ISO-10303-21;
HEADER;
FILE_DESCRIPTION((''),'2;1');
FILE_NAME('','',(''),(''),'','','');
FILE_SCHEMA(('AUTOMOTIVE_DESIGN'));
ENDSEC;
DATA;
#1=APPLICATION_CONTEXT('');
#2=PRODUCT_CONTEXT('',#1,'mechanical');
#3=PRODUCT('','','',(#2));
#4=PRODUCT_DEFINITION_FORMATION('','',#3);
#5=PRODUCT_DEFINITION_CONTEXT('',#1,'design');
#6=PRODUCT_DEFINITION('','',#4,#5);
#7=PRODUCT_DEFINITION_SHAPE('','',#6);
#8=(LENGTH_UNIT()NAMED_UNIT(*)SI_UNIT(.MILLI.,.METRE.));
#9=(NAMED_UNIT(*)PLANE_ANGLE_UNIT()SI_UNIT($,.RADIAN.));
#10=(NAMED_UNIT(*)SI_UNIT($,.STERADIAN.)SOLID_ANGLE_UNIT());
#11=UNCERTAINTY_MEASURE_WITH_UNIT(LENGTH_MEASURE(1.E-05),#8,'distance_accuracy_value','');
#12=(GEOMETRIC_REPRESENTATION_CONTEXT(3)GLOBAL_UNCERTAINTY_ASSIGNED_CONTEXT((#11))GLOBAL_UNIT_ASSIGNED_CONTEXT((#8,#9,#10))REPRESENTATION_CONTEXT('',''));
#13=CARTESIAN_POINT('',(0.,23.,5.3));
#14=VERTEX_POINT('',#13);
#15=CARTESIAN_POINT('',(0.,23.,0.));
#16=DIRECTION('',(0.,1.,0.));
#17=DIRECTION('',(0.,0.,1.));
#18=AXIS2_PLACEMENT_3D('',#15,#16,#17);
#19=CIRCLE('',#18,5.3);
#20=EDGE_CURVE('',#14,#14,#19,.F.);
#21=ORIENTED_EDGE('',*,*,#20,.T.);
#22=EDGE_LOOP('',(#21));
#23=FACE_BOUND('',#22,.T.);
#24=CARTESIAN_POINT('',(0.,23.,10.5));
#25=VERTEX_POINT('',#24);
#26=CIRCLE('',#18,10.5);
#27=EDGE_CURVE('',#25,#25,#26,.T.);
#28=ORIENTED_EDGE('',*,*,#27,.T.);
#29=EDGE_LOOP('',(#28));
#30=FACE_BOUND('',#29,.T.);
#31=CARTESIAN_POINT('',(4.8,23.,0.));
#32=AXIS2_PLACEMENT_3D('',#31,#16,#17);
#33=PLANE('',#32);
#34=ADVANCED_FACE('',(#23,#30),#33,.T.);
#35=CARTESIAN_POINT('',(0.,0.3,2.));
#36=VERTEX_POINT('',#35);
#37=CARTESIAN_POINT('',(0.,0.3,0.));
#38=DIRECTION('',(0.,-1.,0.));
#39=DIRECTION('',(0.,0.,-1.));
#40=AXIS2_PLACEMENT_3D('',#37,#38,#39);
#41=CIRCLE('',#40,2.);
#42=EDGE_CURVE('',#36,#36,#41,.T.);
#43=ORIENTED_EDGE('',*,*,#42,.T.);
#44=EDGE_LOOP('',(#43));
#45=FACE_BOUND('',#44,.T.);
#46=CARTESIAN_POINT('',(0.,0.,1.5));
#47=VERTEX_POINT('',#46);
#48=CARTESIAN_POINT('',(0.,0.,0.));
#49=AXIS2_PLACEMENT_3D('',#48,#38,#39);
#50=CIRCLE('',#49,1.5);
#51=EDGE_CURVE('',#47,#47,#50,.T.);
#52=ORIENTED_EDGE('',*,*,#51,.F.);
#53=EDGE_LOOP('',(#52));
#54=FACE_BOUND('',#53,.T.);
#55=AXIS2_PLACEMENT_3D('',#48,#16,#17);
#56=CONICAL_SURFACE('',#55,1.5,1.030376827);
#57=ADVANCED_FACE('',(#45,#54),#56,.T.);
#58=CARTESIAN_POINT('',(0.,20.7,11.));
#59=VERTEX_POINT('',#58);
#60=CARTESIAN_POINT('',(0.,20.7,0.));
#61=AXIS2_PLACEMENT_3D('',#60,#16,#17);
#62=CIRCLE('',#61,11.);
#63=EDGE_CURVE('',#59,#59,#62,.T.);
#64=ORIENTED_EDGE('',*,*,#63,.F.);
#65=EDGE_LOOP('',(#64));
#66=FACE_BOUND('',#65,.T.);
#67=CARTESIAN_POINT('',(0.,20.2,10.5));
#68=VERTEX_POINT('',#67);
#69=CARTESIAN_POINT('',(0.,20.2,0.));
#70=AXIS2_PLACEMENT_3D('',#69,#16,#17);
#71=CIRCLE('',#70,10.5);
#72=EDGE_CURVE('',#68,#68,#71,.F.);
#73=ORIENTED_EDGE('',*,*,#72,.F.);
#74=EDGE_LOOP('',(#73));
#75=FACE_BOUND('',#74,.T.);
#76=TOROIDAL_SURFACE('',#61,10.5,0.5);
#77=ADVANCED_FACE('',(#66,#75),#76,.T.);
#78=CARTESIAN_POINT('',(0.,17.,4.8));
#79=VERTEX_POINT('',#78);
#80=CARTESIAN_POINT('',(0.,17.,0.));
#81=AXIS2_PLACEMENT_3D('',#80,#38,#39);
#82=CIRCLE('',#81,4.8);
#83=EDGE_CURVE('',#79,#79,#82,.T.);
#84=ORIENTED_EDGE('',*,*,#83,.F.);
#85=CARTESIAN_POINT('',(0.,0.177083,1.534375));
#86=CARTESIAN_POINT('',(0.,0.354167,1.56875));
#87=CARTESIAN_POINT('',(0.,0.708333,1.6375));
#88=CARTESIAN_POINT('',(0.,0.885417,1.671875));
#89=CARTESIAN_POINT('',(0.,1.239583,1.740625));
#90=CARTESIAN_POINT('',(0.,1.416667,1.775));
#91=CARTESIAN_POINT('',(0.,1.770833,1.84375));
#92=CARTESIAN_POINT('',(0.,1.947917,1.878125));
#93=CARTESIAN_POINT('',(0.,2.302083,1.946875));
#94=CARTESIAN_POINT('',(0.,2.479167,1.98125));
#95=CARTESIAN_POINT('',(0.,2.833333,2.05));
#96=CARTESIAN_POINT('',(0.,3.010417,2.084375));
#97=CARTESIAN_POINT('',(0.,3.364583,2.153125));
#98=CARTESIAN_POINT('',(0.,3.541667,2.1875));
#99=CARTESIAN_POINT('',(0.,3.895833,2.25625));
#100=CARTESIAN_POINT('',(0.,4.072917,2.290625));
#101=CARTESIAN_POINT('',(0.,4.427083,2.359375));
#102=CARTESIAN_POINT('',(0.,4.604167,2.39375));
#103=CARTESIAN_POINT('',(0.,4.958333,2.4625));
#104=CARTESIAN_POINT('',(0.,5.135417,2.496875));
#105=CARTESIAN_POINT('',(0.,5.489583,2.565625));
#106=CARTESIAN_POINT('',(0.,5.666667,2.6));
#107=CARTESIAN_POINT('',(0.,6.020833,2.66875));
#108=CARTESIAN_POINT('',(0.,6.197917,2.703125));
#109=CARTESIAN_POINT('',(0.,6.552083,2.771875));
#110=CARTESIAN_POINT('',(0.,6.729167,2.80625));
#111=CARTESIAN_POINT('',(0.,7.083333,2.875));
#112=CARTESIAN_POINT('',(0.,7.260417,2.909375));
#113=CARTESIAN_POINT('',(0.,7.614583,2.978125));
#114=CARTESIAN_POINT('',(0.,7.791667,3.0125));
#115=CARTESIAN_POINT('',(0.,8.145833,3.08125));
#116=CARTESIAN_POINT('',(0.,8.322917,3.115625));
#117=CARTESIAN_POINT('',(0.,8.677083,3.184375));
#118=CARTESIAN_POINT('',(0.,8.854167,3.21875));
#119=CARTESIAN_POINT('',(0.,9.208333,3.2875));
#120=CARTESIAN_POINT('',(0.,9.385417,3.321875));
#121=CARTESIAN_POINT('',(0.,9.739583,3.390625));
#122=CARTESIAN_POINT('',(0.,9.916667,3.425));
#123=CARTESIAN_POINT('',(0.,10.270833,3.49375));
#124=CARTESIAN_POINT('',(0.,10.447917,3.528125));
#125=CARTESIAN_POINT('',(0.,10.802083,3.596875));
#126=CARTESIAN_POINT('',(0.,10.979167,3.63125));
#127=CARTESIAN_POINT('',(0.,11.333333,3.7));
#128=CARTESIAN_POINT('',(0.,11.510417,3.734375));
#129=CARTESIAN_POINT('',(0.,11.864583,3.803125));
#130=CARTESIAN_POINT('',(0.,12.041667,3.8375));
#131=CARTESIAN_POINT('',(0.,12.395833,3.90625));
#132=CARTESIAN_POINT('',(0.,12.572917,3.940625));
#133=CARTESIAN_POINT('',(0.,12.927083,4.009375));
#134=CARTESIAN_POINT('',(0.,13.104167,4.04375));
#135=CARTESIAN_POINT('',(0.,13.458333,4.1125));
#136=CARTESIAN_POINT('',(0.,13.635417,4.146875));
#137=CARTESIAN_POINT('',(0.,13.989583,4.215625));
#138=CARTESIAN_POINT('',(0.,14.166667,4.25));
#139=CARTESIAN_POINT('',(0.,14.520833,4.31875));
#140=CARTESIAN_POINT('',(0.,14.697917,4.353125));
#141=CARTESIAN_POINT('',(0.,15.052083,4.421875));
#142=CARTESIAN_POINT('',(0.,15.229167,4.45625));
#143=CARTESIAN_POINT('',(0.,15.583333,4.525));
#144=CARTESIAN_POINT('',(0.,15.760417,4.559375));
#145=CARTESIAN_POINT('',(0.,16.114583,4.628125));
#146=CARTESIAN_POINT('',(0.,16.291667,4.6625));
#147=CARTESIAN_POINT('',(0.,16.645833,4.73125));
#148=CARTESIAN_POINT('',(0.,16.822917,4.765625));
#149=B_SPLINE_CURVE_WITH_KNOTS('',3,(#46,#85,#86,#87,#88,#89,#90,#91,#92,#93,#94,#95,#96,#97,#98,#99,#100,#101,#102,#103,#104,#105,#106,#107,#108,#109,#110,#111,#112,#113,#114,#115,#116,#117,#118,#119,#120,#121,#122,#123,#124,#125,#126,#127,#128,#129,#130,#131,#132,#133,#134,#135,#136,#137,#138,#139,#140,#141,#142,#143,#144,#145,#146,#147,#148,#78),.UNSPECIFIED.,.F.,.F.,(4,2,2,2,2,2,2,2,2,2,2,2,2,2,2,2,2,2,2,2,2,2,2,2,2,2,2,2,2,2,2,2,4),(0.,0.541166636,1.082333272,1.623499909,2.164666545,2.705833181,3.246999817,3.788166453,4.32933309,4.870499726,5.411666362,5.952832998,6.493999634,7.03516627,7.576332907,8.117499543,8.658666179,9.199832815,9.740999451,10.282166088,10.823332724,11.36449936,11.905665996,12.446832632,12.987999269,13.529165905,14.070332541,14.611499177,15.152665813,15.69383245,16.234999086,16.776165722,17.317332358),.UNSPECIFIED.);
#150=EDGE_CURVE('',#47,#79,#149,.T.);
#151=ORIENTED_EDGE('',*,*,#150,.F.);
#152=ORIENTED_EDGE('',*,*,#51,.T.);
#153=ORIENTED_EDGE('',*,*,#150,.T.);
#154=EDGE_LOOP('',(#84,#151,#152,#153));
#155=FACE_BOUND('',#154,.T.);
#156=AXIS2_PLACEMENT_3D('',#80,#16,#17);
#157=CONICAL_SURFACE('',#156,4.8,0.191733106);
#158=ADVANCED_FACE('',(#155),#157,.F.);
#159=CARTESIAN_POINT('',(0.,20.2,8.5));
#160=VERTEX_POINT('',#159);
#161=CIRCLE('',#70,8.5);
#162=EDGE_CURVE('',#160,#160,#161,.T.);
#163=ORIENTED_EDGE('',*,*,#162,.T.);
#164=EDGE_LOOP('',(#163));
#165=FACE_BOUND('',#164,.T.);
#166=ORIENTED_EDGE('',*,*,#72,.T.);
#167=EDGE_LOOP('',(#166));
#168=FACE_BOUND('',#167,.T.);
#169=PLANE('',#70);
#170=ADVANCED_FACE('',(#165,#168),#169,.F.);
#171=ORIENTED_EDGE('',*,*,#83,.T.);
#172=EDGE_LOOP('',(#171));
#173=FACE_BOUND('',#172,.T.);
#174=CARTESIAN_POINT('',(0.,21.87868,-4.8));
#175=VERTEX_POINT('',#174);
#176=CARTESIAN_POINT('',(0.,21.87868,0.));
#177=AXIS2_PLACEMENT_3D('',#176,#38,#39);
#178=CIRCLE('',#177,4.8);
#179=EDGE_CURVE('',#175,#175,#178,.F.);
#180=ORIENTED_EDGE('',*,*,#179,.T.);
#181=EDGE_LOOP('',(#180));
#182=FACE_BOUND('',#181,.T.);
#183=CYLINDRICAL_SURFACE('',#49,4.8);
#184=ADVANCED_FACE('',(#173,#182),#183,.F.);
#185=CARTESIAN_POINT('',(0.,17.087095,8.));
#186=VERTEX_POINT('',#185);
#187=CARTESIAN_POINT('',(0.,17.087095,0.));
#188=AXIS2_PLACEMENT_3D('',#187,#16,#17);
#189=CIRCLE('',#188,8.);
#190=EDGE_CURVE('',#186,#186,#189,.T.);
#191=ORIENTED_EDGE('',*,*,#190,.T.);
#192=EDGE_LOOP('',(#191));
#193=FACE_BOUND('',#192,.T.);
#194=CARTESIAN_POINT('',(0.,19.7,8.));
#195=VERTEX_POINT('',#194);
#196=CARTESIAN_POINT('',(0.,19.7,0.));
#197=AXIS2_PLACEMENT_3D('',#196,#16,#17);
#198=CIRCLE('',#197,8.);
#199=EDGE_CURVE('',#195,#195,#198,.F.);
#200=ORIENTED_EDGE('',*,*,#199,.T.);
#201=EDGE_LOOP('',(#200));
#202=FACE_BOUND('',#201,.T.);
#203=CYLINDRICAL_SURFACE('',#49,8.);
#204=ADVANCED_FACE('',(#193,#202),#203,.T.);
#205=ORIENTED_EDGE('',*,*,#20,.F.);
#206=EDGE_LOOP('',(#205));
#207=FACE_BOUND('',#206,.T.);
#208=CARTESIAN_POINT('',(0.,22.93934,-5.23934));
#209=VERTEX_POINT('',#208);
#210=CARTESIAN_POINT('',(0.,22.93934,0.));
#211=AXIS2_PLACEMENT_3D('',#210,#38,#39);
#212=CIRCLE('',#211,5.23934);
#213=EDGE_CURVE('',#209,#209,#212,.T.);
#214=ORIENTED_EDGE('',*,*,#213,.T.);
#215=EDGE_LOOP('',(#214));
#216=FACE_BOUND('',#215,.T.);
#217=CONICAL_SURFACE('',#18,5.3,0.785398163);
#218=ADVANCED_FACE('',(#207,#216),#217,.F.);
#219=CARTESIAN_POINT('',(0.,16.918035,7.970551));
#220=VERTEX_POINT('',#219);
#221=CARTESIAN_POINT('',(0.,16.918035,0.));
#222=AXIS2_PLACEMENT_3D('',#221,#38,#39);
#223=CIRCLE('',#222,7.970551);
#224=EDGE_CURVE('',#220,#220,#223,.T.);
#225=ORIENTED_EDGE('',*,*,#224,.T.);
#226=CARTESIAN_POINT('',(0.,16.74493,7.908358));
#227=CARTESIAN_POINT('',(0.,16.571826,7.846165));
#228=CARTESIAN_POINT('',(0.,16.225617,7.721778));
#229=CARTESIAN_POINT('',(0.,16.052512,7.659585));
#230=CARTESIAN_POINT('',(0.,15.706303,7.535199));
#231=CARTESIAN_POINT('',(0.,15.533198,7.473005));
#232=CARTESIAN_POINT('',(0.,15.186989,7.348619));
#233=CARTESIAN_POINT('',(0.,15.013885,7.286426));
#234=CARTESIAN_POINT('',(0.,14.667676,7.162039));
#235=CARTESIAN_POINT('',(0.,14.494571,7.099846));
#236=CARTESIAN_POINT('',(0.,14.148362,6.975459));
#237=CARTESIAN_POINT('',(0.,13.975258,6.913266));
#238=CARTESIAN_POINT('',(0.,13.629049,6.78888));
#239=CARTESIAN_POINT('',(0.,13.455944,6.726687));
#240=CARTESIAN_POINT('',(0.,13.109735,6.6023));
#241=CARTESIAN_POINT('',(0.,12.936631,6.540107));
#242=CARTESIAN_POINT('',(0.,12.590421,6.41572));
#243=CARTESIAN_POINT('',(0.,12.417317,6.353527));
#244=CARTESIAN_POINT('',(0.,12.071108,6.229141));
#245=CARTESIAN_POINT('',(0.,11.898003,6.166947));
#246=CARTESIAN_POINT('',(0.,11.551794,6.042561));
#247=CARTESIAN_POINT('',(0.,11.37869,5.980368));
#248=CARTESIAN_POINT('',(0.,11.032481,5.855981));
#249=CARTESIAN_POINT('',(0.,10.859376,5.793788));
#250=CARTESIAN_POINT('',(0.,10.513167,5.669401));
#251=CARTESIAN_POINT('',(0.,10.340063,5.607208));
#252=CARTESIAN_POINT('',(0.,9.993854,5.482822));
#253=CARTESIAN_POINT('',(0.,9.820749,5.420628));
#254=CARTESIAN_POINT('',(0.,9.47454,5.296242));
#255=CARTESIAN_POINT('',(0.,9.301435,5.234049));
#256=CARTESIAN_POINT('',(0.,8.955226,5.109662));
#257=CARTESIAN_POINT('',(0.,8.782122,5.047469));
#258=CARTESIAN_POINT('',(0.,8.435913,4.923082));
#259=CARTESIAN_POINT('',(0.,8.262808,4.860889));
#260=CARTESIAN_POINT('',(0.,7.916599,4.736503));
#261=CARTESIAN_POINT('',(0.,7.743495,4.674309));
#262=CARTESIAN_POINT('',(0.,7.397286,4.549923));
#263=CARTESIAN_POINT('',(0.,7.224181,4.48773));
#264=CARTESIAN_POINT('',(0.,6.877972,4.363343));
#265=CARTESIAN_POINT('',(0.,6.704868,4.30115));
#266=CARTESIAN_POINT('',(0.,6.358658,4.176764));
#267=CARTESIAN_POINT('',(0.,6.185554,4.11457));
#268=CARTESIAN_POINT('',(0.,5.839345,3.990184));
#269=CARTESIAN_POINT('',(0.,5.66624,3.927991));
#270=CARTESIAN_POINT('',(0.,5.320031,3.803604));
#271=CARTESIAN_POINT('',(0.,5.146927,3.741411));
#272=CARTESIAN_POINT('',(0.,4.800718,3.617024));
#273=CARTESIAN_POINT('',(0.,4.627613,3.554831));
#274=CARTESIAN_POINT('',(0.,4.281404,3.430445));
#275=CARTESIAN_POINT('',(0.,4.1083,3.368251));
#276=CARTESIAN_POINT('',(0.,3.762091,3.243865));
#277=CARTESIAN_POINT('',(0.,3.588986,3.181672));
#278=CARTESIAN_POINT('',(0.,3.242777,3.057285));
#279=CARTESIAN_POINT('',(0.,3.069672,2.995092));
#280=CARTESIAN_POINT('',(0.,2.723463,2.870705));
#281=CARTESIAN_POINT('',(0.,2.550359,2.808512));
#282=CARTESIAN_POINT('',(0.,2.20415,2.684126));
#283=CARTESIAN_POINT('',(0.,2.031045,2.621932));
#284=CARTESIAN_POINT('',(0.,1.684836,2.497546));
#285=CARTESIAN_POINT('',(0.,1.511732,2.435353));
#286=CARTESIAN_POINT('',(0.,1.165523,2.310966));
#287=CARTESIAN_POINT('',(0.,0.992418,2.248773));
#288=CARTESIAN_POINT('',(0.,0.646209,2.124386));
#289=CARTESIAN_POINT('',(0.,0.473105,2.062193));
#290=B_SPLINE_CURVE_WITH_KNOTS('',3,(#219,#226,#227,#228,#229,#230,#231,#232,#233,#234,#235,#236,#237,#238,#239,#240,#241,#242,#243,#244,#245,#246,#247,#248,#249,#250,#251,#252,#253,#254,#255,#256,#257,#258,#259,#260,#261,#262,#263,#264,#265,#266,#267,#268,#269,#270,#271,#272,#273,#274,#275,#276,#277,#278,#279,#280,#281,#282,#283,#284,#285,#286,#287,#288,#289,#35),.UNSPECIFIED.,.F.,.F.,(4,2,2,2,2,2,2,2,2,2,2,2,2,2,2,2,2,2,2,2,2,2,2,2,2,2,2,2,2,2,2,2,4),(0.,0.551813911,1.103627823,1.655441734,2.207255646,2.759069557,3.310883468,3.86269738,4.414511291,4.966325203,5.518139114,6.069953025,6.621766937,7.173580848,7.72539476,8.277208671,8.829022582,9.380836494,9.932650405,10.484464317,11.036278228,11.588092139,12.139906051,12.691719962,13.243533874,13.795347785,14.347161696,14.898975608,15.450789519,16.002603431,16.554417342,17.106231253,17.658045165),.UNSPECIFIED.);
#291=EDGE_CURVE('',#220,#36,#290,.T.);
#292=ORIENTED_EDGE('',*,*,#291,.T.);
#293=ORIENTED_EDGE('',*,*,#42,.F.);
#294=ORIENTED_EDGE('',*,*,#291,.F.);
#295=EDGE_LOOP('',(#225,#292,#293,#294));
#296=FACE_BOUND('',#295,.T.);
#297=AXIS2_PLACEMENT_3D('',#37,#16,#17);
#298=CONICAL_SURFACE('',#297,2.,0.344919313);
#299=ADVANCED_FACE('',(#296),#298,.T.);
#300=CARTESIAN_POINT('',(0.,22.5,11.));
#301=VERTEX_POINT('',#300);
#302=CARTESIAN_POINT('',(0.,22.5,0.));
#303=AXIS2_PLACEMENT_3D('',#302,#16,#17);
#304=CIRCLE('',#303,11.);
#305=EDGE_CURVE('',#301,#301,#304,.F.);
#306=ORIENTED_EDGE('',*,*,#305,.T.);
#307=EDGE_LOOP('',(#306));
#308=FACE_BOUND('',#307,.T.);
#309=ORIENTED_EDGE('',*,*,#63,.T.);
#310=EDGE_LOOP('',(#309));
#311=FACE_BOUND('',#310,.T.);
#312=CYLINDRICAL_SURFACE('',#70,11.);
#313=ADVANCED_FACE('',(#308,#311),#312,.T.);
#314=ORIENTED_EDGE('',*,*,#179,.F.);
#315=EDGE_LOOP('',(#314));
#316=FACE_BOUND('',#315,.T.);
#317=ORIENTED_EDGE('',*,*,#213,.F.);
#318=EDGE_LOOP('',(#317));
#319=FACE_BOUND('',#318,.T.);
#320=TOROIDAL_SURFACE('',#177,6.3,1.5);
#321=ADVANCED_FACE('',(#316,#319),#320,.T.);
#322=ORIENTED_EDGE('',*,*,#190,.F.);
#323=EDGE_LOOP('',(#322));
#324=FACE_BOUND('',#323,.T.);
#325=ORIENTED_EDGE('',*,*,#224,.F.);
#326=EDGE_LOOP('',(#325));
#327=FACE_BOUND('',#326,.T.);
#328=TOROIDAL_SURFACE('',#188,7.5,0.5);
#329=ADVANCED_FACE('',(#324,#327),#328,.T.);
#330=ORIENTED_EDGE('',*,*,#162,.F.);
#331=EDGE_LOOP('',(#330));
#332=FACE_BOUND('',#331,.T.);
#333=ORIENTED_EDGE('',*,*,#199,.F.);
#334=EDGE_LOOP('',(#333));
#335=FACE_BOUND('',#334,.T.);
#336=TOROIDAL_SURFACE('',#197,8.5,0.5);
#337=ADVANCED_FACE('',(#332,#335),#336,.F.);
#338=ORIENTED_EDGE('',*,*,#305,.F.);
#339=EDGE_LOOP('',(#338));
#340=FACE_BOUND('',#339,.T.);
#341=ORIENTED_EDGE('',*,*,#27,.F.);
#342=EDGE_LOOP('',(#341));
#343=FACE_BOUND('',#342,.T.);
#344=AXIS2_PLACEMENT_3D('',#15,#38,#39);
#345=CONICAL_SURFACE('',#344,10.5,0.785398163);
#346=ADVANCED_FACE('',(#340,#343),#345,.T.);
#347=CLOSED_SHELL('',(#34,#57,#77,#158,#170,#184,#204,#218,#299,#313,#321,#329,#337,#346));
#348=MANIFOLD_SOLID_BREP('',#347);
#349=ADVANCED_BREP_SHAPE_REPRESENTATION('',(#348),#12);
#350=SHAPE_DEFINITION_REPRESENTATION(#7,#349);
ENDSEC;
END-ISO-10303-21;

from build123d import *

# Parameters (mm, degrees)
FL_CHE_VERSCHIEBEN1_BY          = 1
AUFSATZ_LINEAR_START            = -2.8
SKIZZE2_R                       = 11
SKIZZE2_R_2                     = 4.8
AUFSATZ_LINEAR_AUSTRAGEN1_DEPTH = 2.8
VERRUNDUNG1_R                   = 0.5
FASE1_SIZE                      = 0.5
VERRUNDUNG2_R                   = 1.5


with BuildPart() as part:
    # Skizze1 → Rotation1 (revolve)
    with BuildSketch(Plane.XY, mode=Mode.PRIVATE) as rotation1_sk:
        Polygon((1.5, 0), (4.8, 17), (4.8, 22), (8, 22), (8, 17), (2, 0.3), align=None)
    revolve(rotation1_sk.sketch.rotate(Axis((0, 0, 0), (0, 1, 0)), 270), axis=Axis((0, 0, 0), (0, 1, 0)))

    # Fläche verschieben1: a face moved outward by 1.0
    extrude(part.faces().sort_by_distance((-6.4, 22, 0))[0], amount=FL_CHE_VERSCHIEBEN1_BY, dir=(0, 1, 0))

    # Skizze2 → Aufsatz-Linear austragen1 (add)
    with BuildSketch(Plane(origin=(0, 23, 0), x_dir=(1, 0, 0), z_dir=(0, 1, 0)).offset(AUFSATZ_LINEAR_START)):
        with Locations(Location((0, 0, 0), (0, 0, 270))):
            Circle(SKIZZE2_R)
        with Locations(Location((0, 0, 0), (0, 0, 270))):
            Circle(SKIZZE2_R_2, mode=Mode.SUBTRACT)
    extrude(amount=AUFSATZ_LINEAR_AUSTRAGEN1_DEPTH)

    # Verrundung1
    verrundung1_edges = [part.edges().sort_by_distance(p)[0] for p in [
        (0, 20.2, -8),
        (0, 20.2, -11),
        (0, 17, -8),
    ]]
    fillet(verrundung1_edges, radius=VERRUNDUNG1_R)

    # Fase1
    fase1_edges = [part.edges().sort_by_distance(p)[0] for p in [
        (0, 23, -11),
        (0, 23, -4.8),
    ]]
    chamfer(fase1_edges, length=FASE1_SIZE)

    # Verrundung2
    verrundung2_edges = [part.edges().sort_by_distance(p)[0] for p in [
        (0, 22.5, -4.8),
    ]]
    fillet(verrundung2_edges, radius=VERRUNDUNG2_R)


solid = part.part
